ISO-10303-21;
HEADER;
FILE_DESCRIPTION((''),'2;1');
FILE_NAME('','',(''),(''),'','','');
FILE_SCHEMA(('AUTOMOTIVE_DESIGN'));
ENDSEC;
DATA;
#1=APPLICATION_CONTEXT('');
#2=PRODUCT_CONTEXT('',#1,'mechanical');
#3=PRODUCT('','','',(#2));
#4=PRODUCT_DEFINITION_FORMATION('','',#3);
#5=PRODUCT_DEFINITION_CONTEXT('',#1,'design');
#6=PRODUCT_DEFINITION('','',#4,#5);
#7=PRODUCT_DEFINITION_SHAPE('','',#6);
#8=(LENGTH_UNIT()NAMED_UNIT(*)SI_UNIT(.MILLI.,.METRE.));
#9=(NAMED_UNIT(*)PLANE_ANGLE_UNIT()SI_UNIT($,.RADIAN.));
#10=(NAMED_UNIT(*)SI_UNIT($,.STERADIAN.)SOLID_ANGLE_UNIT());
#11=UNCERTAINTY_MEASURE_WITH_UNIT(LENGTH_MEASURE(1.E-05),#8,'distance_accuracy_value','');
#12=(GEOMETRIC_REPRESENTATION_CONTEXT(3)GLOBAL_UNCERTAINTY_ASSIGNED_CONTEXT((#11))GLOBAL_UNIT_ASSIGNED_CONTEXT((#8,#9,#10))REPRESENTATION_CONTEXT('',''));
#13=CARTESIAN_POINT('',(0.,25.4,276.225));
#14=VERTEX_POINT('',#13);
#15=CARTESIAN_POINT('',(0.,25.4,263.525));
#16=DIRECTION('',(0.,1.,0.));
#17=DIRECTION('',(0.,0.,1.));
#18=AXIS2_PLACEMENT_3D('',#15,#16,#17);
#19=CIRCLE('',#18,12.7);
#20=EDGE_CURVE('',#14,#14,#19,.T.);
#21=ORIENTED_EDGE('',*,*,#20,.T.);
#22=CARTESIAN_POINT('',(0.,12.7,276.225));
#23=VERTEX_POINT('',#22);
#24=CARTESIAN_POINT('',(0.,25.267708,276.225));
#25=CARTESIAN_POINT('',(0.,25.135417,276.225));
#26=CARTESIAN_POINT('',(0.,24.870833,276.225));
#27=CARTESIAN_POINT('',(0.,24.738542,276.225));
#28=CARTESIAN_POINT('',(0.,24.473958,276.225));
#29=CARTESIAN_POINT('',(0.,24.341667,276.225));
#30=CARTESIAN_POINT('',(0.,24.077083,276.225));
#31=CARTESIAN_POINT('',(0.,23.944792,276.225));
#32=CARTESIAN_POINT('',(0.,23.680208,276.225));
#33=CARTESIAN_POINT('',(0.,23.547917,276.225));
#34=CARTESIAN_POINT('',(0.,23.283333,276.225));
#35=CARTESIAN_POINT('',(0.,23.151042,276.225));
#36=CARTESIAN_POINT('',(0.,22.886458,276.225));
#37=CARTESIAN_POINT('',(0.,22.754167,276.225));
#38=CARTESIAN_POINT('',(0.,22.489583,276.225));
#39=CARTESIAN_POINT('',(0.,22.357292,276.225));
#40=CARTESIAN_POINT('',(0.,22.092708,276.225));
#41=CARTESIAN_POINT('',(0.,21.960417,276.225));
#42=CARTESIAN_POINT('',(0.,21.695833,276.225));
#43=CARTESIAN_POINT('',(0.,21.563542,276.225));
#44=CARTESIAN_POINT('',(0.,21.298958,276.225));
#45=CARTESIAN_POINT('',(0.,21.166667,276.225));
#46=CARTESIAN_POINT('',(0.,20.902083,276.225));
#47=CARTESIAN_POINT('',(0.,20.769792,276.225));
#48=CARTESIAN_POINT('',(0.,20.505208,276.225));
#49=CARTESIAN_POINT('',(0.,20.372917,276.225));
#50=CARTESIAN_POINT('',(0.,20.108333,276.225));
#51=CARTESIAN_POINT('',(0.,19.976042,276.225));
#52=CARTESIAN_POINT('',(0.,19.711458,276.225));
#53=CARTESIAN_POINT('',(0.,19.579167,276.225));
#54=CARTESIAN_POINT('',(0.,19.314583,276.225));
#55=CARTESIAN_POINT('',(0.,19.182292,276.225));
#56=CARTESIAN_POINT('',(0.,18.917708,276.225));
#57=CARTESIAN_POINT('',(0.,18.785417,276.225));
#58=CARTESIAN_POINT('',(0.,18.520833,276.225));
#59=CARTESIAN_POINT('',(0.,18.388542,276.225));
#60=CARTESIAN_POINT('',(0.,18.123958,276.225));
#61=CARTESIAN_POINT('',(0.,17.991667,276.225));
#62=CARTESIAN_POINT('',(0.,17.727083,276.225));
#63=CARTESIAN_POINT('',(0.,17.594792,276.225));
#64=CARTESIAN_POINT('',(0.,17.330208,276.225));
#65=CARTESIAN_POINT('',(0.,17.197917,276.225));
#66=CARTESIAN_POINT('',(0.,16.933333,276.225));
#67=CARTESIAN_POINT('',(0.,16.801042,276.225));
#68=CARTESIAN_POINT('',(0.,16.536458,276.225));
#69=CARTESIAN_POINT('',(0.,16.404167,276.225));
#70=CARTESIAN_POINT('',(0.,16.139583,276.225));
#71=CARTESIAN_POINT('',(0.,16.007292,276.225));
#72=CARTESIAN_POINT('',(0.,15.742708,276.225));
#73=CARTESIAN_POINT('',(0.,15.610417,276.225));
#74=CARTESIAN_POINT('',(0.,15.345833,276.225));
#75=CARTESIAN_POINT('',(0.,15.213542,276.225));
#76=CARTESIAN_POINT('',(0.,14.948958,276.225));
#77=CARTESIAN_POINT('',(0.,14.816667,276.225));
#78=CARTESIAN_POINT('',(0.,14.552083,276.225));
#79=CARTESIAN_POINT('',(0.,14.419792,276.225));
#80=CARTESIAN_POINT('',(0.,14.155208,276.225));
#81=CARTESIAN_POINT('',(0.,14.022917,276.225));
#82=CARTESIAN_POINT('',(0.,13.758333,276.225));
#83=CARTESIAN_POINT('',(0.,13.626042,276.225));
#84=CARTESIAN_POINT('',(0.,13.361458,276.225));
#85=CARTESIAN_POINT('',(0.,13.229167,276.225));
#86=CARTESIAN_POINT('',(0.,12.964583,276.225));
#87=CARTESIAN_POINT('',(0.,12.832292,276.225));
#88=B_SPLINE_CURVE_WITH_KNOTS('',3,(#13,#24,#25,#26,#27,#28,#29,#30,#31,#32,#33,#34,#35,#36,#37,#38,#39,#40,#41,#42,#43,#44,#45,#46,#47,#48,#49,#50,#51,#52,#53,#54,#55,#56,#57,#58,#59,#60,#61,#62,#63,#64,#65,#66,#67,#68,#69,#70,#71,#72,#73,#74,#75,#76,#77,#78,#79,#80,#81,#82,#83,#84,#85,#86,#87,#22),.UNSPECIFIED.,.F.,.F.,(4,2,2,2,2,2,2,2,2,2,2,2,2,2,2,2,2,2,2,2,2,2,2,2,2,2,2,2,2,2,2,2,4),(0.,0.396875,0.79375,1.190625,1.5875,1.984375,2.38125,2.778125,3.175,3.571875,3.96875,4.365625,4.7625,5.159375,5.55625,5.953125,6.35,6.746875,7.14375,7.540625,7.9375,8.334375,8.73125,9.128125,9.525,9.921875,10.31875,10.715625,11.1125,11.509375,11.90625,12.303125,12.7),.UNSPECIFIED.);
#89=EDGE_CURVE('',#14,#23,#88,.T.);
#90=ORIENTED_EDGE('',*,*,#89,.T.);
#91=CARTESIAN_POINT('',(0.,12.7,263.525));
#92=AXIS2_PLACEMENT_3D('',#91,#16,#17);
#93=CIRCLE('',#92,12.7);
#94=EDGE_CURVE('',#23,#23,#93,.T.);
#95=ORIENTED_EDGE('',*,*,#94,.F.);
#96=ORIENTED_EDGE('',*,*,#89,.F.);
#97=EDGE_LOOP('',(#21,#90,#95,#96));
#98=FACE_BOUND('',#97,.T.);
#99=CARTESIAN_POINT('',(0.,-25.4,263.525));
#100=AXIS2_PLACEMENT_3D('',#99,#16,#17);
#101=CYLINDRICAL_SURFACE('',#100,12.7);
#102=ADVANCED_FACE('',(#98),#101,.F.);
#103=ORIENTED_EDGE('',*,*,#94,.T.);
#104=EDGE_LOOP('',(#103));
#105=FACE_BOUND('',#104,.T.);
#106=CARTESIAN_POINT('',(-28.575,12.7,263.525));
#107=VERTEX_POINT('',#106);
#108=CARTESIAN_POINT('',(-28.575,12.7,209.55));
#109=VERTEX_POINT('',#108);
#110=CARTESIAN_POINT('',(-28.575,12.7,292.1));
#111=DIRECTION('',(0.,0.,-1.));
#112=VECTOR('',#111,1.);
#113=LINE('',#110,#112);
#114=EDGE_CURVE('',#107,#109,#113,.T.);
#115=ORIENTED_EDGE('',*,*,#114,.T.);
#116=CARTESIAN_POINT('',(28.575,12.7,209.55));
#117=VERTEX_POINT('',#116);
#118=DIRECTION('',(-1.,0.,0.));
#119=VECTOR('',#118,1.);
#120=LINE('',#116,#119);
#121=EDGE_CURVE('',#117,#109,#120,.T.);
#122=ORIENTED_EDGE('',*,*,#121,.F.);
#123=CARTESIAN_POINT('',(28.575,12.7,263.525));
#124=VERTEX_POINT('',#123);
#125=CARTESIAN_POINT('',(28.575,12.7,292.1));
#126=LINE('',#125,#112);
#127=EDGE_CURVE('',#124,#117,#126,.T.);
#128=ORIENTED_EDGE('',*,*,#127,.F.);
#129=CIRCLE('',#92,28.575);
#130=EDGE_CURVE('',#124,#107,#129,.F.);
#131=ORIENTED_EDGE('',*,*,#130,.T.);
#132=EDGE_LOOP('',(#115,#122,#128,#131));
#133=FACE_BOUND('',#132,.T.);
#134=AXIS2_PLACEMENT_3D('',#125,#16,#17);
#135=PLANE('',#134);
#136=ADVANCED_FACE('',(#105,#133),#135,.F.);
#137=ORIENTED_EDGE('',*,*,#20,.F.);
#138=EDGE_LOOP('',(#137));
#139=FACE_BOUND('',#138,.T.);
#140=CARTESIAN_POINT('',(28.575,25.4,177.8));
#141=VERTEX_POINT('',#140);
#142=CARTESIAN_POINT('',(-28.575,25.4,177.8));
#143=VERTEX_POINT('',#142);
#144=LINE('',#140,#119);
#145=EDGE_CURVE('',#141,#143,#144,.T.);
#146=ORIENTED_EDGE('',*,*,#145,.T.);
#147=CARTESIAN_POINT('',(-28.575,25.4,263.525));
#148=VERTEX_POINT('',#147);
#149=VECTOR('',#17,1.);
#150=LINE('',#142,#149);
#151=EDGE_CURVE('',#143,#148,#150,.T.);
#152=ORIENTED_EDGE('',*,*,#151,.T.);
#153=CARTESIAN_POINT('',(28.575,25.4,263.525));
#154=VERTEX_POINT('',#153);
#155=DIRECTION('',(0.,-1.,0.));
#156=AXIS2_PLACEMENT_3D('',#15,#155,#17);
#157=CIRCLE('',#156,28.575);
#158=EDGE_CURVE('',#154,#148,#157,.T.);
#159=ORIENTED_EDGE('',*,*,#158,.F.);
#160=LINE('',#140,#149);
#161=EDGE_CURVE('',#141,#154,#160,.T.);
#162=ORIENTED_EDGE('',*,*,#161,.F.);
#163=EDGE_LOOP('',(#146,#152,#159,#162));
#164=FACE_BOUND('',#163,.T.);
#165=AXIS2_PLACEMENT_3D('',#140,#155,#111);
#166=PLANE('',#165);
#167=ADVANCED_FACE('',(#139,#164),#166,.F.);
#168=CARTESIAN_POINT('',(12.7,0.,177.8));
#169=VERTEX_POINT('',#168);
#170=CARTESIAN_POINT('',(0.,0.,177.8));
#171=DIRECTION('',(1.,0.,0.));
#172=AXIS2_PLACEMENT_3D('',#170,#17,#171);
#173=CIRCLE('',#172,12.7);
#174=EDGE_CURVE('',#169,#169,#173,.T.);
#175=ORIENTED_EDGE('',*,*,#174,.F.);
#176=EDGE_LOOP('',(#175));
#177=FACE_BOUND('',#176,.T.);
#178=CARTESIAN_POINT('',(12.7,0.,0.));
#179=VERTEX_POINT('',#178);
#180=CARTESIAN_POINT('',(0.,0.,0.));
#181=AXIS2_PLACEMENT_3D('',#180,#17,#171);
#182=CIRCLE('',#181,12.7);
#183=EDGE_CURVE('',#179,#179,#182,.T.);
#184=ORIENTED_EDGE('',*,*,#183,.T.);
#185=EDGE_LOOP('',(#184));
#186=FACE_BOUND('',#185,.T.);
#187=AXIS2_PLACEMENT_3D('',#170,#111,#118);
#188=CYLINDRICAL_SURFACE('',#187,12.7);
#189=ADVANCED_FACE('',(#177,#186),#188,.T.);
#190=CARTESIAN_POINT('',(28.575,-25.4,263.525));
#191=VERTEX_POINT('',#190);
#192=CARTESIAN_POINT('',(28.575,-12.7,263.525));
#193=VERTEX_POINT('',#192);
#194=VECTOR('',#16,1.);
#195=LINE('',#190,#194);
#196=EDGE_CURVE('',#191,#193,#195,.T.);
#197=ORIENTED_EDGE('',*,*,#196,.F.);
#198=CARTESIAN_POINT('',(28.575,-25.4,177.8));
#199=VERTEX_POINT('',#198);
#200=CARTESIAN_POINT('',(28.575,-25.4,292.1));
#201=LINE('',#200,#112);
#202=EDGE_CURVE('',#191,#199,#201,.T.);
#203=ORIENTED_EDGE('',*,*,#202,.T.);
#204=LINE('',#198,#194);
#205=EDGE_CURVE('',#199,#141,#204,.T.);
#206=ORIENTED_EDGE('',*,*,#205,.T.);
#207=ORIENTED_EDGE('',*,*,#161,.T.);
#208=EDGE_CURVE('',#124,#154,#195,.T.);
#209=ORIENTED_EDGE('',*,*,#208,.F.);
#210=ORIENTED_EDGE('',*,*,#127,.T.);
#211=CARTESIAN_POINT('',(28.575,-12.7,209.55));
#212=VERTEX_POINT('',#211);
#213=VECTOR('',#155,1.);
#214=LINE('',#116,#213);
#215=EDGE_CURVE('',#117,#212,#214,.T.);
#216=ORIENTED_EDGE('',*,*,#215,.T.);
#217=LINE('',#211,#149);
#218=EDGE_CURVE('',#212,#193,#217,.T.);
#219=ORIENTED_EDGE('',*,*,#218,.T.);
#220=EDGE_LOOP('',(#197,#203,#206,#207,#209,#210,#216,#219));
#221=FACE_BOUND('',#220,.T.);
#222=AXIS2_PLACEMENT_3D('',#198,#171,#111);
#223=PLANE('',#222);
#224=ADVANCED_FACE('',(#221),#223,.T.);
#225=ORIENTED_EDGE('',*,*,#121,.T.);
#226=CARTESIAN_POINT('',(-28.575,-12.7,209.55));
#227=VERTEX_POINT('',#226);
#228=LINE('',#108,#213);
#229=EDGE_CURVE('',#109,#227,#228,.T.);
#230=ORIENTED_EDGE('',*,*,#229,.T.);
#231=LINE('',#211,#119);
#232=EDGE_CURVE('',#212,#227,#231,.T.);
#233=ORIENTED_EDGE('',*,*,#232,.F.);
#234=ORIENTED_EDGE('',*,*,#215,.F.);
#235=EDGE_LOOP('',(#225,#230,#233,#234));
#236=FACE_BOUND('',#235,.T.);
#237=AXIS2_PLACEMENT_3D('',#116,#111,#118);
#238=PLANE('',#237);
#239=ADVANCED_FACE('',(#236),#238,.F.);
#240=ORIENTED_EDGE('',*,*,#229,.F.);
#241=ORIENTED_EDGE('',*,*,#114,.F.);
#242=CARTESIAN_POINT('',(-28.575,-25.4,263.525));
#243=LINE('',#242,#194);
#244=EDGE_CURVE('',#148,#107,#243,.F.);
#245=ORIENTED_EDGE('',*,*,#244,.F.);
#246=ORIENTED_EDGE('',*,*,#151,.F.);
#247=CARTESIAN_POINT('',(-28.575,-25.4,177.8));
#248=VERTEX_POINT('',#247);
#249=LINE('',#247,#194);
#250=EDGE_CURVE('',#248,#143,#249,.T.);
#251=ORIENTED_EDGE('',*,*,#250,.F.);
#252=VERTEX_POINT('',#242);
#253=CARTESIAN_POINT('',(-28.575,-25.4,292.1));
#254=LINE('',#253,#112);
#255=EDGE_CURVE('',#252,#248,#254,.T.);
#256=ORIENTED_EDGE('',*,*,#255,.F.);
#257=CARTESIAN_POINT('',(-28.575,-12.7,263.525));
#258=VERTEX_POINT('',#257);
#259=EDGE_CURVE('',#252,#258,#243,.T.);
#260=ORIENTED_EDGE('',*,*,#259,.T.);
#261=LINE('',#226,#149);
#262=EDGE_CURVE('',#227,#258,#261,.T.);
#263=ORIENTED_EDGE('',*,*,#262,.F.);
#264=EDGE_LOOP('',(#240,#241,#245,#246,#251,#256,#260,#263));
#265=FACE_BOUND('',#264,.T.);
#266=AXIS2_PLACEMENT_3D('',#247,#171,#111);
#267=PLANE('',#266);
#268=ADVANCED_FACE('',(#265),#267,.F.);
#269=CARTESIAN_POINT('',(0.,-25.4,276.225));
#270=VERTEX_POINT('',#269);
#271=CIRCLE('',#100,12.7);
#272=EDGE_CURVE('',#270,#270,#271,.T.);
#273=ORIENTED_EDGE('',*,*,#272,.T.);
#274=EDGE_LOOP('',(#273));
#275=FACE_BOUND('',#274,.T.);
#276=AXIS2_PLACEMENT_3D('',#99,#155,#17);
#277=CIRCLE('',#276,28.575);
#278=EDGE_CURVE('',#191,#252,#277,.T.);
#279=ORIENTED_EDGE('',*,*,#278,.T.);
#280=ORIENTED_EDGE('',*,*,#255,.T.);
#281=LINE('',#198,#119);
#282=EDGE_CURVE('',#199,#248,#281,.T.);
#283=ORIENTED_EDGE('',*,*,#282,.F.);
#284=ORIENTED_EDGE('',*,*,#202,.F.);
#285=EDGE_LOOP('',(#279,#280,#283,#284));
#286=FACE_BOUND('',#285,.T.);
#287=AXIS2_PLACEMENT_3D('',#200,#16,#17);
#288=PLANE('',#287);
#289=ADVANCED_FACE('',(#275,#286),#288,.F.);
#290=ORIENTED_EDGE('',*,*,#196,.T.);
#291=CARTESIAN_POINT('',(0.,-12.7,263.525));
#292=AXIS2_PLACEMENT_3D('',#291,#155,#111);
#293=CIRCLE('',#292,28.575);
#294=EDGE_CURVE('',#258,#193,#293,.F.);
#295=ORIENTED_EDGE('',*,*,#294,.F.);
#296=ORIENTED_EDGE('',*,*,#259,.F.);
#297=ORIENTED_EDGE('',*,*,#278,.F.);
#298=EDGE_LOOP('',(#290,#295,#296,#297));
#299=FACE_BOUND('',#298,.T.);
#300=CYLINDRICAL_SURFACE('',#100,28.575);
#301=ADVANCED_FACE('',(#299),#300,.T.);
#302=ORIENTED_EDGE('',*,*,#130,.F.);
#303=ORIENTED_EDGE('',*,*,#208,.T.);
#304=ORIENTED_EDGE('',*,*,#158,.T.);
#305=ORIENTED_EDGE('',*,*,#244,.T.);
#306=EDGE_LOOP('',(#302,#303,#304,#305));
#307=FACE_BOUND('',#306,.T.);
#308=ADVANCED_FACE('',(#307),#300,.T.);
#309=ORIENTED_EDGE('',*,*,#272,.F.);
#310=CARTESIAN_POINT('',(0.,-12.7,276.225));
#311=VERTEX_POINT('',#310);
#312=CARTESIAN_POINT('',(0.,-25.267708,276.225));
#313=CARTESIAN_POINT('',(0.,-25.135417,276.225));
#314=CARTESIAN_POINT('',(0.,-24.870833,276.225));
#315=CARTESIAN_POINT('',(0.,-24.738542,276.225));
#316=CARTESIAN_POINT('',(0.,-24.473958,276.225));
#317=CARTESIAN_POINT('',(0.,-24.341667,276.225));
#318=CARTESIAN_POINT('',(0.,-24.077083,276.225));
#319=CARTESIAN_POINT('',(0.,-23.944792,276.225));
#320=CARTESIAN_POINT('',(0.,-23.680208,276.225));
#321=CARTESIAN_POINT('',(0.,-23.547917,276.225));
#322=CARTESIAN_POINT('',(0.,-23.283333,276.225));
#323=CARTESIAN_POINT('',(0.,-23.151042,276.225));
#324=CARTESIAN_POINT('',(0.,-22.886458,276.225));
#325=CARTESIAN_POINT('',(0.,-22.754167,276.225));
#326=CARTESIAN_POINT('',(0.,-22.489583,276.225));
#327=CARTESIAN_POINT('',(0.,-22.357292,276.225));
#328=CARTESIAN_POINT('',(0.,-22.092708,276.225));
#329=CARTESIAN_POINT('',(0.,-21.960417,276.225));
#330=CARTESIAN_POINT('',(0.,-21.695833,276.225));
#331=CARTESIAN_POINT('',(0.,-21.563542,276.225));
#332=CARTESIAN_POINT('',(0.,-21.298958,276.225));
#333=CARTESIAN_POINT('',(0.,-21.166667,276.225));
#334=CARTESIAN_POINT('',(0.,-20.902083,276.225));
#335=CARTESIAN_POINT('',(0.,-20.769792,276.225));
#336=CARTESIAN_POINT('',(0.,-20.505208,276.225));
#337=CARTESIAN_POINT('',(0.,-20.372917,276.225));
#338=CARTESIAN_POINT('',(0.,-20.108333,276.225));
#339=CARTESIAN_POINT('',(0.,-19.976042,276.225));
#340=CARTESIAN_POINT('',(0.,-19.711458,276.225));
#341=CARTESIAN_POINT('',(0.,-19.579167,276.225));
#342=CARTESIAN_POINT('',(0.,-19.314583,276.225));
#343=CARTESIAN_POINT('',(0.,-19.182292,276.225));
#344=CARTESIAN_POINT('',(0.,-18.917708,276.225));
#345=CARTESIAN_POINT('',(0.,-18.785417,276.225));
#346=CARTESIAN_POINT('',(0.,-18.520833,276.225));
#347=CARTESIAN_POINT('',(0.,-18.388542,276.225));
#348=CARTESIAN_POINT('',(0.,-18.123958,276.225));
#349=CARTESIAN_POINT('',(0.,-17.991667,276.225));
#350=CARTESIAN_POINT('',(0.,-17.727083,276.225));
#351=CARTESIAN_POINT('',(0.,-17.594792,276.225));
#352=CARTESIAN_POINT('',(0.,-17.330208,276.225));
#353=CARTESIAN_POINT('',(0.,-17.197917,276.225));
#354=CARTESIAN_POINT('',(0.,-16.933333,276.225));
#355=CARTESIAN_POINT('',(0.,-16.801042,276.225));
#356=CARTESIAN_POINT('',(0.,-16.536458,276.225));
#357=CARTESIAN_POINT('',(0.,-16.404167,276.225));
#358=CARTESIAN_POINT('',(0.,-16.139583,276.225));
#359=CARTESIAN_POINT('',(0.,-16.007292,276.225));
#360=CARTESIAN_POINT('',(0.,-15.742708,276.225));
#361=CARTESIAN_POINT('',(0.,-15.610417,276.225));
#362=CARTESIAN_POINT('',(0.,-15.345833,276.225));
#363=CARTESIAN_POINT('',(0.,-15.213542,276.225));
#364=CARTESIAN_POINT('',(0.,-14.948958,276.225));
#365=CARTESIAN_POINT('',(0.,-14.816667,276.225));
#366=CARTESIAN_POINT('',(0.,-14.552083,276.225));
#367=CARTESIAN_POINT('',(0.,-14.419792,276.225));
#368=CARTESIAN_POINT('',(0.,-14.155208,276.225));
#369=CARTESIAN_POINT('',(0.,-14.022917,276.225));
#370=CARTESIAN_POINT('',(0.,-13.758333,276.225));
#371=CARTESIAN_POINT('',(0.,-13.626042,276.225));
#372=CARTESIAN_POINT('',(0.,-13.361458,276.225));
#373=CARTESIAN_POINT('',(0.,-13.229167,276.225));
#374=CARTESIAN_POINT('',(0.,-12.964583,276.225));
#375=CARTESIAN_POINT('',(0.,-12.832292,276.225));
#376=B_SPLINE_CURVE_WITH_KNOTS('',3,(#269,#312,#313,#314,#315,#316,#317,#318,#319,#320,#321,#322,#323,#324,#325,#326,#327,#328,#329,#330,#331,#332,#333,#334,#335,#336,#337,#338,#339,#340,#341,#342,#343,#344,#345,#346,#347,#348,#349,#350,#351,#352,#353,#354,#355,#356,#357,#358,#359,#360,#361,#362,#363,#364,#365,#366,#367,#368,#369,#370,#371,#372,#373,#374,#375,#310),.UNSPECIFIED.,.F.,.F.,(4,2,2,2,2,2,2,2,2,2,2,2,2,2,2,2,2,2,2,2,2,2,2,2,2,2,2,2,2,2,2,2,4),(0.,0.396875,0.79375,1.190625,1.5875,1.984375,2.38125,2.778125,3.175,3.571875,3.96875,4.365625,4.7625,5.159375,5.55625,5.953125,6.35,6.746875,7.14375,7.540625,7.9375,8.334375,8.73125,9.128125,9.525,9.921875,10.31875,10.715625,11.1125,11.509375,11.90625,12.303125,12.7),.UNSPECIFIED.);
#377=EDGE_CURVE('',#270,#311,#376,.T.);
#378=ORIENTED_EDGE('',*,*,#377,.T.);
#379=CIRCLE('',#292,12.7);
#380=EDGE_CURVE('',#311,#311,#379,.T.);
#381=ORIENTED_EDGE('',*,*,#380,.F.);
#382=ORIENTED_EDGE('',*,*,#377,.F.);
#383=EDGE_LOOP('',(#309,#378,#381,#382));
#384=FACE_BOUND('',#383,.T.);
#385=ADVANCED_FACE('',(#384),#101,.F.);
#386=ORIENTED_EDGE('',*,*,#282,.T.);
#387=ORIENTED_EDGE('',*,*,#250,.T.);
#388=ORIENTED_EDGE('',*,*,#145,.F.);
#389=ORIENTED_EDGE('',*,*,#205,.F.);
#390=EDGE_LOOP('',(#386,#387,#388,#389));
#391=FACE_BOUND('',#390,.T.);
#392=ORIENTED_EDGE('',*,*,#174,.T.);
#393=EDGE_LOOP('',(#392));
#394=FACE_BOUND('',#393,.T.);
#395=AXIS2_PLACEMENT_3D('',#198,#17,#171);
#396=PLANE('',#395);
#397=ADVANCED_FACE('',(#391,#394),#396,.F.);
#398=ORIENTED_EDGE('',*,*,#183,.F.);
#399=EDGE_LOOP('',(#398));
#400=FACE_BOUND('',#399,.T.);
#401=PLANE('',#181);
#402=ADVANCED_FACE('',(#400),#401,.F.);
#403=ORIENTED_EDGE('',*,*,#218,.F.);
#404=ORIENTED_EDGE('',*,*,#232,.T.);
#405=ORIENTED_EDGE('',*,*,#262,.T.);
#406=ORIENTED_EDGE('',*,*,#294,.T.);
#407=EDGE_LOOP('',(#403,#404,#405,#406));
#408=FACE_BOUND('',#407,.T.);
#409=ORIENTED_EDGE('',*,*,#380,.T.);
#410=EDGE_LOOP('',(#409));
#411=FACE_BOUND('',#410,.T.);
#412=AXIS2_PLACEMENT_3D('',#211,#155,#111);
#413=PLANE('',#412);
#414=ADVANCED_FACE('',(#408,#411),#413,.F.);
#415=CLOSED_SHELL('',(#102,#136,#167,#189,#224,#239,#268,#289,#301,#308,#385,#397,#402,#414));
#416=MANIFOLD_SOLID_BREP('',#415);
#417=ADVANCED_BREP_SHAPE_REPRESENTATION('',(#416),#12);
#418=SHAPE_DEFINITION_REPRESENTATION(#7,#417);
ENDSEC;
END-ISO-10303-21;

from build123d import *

# Parameters (mm, degrees)
SKETCH1_R          = 12.7
EXTRUDE1_DEPTH     = 177.8
EXTRUDE2_DEPTH     = 28.575
SKETCH3_R          = 12.7
CUT_EXTRUDE1_DEPTH = 298.858323075


with BuildPart() as part:
    # Sketch1 → Extrude1 (new body)
    with BuildSketch(Plane.XY):
        Circle(SKETCH1_R)
    extrude(amount=EXTRUDE1_DEPTH)

    # Sketch2 → Extrude2 (add, symmetric)
    with BuildSketch(Plane(origin=(0, 0, 0), x_dir=(0, 0, -1), z_dir=(1, 0, 0))):
        Polygon((-177.8, -25.4), (-177.8, 25.4), (-292.1, 25.4), (-292.1, 12.7), (-209.55, 12.7), (-209.55, -12.7), (-292.1, -12.7), (-292.1, -25.4), align=None)
    extrude(amount=EXTRUDE2_DEPTH, both=True)

    # Sketch3 → Cut-Extrude1 (cut, through all)
    with BuildSketch(Plane(origin=(0, 25.4, 0), x_dir=(-1, 0, 0), z_dir=(0, 1, 0))):
        with Locations(Location((0, 263.525, 0), (0, 0, 90))):
            Circle(SKETCH3_R)
        with BuildLine():
            Line((28.575, 263.525), (28.575, 314.325))
            Line((28.575, 314.325), (-28.575, 314.325))
            Line((-28.575, 314.325), (-28.575, 263.525))
            ThreePointArc((-28.575, 263.525), (0, 292.1), (28.575, 263.525))
        make_face()
    extrude(amount=-CUT_EXTRUDE1_DEPTH, mode=Mode.SUBTRACT)


solid = part.part
